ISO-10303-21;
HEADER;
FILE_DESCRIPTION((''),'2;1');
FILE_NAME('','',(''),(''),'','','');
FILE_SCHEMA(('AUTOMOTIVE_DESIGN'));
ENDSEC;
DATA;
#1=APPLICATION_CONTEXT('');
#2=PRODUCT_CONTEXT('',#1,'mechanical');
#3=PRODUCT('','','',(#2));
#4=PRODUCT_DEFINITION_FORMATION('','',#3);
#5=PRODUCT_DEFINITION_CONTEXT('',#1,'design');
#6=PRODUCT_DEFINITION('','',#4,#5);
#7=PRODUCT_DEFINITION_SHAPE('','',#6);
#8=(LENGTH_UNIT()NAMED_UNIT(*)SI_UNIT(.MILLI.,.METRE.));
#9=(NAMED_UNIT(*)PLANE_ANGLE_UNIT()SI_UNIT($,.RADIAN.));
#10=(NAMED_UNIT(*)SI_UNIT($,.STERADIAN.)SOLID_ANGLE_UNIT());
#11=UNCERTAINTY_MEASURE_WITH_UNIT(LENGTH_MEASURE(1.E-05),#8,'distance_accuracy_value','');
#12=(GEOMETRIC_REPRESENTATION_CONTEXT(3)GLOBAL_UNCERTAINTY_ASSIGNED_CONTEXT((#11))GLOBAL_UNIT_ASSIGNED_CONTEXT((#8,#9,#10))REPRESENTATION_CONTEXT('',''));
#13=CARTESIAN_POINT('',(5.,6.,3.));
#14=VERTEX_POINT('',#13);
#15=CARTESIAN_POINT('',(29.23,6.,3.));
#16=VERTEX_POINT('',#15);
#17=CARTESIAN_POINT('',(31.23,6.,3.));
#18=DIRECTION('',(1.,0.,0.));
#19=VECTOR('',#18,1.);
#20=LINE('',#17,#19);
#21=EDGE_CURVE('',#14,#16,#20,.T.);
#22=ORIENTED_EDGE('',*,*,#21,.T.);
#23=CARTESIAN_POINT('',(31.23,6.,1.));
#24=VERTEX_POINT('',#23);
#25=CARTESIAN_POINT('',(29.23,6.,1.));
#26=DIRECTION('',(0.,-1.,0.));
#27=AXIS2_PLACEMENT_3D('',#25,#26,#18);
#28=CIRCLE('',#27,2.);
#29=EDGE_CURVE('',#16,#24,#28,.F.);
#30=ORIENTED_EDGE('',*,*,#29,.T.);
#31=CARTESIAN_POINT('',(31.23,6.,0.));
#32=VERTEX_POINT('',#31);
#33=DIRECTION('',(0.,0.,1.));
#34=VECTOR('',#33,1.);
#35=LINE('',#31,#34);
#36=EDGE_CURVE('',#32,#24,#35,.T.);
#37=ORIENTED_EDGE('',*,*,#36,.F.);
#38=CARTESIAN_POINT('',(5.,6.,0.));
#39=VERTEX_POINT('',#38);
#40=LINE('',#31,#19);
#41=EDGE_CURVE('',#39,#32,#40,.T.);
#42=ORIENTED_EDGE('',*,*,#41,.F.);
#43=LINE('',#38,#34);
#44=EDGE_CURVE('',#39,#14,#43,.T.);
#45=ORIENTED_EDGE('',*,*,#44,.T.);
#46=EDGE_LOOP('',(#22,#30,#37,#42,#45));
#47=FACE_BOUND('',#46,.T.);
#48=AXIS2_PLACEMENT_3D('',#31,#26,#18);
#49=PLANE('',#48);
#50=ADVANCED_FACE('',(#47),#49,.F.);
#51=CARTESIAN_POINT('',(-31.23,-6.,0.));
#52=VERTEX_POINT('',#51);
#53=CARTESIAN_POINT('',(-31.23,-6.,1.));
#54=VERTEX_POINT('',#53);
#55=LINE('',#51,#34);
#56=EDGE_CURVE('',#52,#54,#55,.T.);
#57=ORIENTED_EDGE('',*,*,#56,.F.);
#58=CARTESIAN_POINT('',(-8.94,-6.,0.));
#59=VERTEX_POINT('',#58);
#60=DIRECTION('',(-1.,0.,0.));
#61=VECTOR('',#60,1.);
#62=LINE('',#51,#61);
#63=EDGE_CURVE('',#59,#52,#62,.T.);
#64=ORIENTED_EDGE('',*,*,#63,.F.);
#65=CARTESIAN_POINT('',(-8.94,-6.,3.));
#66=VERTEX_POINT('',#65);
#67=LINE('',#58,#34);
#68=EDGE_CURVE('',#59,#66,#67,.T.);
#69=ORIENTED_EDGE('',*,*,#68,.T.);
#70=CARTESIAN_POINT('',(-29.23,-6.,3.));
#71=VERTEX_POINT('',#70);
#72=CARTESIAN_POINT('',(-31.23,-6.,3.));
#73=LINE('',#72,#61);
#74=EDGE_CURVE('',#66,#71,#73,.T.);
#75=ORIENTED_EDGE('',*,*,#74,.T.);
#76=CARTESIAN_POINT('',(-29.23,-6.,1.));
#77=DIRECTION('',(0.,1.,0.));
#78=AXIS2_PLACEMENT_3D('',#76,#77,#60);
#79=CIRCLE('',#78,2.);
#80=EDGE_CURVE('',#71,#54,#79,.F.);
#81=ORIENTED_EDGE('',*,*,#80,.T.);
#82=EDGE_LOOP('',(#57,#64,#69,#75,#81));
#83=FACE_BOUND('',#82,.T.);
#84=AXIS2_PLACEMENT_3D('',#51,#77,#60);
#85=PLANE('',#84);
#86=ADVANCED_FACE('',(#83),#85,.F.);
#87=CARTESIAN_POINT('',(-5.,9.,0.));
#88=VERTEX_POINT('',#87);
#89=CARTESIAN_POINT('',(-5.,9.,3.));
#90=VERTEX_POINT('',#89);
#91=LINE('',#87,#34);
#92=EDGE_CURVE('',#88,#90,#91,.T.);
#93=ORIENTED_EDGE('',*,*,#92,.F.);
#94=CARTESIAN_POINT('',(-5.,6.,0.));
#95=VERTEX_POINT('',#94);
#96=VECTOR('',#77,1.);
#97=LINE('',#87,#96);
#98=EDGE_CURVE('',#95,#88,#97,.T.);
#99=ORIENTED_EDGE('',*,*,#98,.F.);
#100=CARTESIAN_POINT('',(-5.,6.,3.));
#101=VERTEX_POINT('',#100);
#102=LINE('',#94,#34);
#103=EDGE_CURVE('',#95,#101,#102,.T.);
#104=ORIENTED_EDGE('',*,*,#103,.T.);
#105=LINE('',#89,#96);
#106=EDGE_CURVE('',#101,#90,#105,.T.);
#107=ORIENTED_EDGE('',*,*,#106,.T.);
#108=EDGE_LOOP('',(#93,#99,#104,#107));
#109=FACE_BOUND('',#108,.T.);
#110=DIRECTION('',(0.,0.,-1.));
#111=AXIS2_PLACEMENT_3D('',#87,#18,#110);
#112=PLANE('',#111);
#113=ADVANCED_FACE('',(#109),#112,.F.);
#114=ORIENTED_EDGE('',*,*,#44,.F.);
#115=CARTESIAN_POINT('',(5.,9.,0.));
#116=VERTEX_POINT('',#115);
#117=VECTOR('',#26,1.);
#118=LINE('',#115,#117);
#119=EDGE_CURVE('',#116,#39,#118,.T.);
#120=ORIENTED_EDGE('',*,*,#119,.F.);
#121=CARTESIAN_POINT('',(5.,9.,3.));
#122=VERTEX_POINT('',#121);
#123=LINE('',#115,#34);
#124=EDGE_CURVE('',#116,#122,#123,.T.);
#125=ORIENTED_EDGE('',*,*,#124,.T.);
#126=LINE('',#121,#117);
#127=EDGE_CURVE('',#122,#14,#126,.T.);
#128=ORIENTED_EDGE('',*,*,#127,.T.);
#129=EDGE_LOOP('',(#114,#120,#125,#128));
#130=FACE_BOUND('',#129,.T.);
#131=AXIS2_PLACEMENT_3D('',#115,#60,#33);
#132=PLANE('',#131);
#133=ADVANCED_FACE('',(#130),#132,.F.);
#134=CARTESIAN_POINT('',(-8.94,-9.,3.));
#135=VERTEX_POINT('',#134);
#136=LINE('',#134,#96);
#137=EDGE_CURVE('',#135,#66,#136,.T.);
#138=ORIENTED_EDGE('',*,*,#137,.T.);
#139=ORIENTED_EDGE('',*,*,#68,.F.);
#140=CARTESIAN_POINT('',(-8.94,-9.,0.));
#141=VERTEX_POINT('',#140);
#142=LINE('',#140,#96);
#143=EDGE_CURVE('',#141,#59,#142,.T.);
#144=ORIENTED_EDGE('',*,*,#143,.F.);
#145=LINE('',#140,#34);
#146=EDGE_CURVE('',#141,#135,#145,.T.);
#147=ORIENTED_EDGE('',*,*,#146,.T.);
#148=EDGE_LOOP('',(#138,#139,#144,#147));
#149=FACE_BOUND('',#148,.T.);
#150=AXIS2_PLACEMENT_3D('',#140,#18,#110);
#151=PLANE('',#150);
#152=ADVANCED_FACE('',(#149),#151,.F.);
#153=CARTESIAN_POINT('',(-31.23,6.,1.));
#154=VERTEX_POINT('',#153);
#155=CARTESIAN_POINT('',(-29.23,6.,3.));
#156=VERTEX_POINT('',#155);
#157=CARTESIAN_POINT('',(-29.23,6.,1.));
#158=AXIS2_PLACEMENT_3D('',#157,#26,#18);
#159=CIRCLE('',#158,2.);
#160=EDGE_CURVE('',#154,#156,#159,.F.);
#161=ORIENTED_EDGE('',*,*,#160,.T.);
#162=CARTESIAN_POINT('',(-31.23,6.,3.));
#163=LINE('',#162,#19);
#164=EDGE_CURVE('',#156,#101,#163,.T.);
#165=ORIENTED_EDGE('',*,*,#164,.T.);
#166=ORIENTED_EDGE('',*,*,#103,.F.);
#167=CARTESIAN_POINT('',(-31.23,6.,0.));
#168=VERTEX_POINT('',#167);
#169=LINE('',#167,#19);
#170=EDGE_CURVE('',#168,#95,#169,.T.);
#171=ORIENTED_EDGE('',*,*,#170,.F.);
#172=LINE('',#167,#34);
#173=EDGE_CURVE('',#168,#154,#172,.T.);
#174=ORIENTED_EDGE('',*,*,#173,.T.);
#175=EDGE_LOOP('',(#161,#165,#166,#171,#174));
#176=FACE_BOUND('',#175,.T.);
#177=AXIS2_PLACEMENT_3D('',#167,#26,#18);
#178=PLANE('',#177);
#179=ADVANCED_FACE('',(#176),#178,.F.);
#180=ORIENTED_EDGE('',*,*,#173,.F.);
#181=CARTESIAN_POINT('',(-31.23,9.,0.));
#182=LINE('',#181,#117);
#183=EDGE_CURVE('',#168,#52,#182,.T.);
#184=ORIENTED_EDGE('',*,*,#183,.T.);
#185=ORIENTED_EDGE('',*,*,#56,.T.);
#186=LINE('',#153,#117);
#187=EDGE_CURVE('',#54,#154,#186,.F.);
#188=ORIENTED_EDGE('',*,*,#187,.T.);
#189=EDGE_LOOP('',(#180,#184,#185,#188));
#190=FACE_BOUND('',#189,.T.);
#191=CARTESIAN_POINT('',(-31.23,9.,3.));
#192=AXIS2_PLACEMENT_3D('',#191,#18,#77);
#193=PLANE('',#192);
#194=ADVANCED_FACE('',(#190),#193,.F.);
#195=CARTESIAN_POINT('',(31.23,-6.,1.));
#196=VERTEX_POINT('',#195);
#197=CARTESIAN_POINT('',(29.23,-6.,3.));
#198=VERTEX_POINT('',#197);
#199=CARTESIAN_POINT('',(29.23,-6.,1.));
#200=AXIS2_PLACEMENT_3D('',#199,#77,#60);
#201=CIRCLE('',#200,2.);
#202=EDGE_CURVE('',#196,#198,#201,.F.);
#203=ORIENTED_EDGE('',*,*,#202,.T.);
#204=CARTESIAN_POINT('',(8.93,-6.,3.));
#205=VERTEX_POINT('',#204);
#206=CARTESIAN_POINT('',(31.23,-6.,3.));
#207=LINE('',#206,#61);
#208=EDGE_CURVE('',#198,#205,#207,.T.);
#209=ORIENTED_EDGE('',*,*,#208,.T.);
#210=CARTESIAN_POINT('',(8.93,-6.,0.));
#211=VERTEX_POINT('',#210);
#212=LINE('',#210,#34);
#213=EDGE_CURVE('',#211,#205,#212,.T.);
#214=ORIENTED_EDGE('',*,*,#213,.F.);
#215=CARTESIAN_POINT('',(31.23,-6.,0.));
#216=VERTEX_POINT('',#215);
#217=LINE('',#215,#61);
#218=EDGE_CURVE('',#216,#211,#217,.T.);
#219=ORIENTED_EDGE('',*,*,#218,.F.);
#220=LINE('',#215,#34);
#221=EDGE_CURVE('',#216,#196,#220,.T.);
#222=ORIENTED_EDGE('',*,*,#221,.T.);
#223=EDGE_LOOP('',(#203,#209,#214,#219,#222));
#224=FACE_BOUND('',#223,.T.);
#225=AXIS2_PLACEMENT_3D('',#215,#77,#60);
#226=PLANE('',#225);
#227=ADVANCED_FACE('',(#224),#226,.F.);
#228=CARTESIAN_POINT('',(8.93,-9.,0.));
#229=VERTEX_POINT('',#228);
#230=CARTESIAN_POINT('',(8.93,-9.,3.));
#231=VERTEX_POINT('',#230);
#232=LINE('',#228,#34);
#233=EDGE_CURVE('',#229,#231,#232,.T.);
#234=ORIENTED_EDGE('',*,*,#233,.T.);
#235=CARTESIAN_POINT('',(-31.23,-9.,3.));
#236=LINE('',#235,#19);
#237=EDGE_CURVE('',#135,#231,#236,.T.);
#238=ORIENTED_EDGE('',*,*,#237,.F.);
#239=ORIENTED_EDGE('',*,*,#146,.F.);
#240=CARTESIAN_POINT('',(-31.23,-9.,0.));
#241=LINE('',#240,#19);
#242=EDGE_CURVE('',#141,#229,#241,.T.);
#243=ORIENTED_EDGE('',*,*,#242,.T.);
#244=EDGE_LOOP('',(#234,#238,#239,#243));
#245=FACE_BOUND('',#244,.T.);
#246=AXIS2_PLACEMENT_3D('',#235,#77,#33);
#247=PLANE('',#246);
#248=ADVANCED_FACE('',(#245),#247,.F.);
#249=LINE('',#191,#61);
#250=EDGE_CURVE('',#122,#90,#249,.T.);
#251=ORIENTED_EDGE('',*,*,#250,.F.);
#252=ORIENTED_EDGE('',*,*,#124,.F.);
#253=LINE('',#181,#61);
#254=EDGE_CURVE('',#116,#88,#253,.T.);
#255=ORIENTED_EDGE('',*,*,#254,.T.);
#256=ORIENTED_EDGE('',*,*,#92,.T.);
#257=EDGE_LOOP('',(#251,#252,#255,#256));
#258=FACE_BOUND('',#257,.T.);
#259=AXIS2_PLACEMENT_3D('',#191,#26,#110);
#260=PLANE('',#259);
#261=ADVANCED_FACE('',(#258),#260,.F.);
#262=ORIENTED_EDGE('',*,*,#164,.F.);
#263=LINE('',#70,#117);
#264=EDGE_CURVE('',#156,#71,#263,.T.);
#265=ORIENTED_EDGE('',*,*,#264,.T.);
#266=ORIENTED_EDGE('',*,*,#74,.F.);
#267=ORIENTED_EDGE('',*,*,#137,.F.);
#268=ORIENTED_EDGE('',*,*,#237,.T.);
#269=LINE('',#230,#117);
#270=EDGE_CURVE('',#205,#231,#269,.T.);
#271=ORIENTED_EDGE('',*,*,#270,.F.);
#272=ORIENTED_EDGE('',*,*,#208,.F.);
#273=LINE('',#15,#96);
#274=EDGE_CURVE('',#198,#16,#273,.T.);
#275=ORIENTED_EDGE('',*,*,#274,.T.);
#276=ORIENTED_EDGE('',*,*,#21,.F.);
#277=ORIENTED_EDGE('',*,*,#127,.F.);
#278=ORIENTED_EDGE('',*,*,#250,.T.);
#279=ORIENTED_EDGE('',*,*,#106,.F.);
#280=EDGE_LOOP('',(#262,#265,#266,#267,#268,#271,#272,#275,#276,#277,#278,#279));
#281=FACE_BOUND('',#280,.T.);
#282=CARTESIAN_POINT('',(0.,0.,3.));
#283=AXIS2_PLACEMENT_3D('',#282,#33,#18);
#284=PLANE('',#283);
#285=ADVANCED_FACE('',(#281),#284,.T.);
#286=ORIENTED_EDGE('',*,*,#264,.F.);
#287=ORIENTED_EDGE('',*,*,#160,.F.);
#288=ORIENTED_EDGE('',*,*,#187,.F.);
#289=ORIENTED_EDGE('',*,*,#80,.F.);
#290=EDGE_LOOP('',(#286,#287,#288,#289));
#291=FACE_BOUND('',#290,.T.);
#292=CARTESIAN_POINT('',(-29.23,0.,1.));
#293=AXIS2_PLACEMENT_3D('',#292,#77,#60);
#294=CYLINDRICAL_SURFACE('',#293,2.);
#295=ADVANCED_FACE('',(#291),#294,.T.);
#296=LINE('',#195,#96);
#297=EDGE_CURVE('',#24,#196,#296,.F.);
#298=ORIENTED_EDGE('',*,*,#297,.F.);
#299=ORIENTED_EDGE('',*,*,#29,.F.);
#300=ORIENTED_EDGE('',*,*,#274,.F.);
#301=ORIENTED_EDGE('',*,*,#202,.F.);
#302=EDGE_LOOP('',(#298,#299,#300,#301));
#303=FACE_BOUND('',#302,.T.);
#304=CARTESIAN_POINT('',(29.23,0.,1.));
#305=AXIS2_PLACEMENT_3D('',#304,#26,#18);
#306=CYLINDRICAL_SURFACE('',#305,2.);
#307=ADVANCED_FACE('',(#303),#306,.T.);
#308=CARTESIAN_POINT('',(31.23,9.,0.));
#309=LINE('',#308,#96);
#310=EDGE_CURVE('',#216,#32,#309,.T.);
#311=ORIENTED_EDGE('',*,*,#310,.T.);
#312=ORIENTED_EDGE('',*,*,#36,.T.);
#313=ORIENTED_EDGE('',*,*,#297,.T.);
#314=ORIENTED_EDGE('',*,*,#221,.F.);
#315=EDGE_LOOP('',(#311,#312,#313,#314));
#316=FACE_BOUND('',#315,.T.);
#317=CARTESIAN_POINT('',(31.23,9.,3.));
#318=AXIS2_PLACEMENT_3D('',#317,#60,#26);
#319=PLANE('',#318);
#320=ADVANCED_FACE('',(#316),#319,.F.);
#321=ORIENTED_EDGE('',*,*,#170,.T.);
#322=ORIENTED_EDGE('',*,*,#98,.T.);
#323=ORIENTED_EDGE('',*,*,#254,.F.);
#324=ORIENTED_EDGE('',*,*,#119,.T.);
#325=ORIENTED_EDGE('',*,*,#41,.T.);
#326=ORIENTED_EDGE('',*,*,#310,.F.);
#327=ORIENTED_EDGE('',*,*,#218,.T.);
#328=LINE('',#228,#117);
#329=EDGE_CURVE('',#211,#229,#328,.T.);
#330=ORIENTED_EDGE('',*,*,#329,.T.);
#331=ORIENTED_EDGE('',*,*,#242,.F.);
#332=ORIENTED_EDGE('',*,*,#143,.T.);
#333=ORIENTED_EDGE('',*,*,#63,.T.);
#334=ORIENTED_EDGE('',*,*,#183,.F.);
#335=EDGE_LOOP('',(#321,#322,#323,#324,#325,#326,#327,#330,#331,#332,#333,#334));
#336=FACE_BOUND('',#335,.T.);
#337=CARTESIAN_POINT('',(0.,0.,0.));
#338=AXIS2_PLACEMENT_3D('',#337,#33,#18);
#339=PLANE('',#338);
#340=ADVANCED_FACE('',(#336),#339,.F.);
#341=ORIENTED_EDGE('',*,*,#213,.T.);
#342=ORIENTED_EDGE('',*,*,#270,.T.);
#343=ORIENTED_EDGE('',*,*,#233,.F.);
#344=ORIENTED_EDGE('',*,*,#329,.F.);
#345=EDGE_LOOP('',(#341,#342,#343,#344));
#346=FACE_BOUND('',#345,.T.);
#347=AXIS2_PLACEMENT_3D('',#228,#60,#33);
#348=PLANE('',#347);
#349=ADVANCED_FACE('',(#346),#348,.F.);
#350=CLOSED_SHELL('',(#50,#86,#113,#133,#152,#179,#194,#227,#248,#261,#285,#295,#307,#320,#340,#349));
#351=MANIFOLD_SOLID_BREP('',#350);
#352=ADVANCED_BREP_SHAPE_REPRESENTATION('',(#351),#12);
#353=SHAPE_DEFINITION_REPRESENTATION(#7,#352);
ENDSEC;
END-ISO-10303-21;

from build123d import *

# Parameters (mm, degrees)
SKETCH1_W           = 62.46
SKETCH1_H           = 18
BOSS_EXTRUDE1_DEPTH = 3
SKETCH2_W           = 22.3
SKETCH2_H           = 3
SKETCH2_W_2         = 22.29
SKETCH2_W_3         = 26.23
CUT_EXTRUDE1_DEPTH  = 3
FILLET1_R           = 2
FILLET2_R           = 2


with BuildPart() as part:
    # Sketch1 → Boss-Extrude1 (new body)
    with BuildSketch(Plane.XY):
        Rectangle(SKETCH1_W, SKETCH1_H)
    extrude(amount=BOSS_EXTRUDE1_DEPTH)

    # Sketch2 → Cut-Extrude1 (cut)
    with BuildSketch(Plane.XY.offset(3)):
        with Locations((20.08, -7.5)):
            Rectangle(SKETCH2_W, SKETCH2_H)
        with Locations((-20.085, -7.5)):
            Rectangle(SKETCH2_W_2, SKETCH2_H)
        with Locations((18.115, 7.5)):
            Rectangle(SKETCH2_W_3, SKETCH2_H)
        with Locations((-18.115, 7.5)):
            Rectangle(SKETCH2_W_3, SKETCH2_H)
    extrude(amount=-CUT_EXTRUDE1_DEPTH, mode=Mode.SUBTRACT)

    # Fillet1
    fillet1_edges = [part.edges().sort_by_distance(p)[0] for p in [
        (31.23, 0, 3),
    ]]
    fillet(fillet1_edges, radius=FILLET1_R)

    # Fillet2
    fillet2_edges = [part.edges().sort_by_distance(p)[0] for p in [
        (-31.23, 0, 3),
    ]]
    fillet(fillet2_edges, radius=FILLET2_R)


solid = part.part
